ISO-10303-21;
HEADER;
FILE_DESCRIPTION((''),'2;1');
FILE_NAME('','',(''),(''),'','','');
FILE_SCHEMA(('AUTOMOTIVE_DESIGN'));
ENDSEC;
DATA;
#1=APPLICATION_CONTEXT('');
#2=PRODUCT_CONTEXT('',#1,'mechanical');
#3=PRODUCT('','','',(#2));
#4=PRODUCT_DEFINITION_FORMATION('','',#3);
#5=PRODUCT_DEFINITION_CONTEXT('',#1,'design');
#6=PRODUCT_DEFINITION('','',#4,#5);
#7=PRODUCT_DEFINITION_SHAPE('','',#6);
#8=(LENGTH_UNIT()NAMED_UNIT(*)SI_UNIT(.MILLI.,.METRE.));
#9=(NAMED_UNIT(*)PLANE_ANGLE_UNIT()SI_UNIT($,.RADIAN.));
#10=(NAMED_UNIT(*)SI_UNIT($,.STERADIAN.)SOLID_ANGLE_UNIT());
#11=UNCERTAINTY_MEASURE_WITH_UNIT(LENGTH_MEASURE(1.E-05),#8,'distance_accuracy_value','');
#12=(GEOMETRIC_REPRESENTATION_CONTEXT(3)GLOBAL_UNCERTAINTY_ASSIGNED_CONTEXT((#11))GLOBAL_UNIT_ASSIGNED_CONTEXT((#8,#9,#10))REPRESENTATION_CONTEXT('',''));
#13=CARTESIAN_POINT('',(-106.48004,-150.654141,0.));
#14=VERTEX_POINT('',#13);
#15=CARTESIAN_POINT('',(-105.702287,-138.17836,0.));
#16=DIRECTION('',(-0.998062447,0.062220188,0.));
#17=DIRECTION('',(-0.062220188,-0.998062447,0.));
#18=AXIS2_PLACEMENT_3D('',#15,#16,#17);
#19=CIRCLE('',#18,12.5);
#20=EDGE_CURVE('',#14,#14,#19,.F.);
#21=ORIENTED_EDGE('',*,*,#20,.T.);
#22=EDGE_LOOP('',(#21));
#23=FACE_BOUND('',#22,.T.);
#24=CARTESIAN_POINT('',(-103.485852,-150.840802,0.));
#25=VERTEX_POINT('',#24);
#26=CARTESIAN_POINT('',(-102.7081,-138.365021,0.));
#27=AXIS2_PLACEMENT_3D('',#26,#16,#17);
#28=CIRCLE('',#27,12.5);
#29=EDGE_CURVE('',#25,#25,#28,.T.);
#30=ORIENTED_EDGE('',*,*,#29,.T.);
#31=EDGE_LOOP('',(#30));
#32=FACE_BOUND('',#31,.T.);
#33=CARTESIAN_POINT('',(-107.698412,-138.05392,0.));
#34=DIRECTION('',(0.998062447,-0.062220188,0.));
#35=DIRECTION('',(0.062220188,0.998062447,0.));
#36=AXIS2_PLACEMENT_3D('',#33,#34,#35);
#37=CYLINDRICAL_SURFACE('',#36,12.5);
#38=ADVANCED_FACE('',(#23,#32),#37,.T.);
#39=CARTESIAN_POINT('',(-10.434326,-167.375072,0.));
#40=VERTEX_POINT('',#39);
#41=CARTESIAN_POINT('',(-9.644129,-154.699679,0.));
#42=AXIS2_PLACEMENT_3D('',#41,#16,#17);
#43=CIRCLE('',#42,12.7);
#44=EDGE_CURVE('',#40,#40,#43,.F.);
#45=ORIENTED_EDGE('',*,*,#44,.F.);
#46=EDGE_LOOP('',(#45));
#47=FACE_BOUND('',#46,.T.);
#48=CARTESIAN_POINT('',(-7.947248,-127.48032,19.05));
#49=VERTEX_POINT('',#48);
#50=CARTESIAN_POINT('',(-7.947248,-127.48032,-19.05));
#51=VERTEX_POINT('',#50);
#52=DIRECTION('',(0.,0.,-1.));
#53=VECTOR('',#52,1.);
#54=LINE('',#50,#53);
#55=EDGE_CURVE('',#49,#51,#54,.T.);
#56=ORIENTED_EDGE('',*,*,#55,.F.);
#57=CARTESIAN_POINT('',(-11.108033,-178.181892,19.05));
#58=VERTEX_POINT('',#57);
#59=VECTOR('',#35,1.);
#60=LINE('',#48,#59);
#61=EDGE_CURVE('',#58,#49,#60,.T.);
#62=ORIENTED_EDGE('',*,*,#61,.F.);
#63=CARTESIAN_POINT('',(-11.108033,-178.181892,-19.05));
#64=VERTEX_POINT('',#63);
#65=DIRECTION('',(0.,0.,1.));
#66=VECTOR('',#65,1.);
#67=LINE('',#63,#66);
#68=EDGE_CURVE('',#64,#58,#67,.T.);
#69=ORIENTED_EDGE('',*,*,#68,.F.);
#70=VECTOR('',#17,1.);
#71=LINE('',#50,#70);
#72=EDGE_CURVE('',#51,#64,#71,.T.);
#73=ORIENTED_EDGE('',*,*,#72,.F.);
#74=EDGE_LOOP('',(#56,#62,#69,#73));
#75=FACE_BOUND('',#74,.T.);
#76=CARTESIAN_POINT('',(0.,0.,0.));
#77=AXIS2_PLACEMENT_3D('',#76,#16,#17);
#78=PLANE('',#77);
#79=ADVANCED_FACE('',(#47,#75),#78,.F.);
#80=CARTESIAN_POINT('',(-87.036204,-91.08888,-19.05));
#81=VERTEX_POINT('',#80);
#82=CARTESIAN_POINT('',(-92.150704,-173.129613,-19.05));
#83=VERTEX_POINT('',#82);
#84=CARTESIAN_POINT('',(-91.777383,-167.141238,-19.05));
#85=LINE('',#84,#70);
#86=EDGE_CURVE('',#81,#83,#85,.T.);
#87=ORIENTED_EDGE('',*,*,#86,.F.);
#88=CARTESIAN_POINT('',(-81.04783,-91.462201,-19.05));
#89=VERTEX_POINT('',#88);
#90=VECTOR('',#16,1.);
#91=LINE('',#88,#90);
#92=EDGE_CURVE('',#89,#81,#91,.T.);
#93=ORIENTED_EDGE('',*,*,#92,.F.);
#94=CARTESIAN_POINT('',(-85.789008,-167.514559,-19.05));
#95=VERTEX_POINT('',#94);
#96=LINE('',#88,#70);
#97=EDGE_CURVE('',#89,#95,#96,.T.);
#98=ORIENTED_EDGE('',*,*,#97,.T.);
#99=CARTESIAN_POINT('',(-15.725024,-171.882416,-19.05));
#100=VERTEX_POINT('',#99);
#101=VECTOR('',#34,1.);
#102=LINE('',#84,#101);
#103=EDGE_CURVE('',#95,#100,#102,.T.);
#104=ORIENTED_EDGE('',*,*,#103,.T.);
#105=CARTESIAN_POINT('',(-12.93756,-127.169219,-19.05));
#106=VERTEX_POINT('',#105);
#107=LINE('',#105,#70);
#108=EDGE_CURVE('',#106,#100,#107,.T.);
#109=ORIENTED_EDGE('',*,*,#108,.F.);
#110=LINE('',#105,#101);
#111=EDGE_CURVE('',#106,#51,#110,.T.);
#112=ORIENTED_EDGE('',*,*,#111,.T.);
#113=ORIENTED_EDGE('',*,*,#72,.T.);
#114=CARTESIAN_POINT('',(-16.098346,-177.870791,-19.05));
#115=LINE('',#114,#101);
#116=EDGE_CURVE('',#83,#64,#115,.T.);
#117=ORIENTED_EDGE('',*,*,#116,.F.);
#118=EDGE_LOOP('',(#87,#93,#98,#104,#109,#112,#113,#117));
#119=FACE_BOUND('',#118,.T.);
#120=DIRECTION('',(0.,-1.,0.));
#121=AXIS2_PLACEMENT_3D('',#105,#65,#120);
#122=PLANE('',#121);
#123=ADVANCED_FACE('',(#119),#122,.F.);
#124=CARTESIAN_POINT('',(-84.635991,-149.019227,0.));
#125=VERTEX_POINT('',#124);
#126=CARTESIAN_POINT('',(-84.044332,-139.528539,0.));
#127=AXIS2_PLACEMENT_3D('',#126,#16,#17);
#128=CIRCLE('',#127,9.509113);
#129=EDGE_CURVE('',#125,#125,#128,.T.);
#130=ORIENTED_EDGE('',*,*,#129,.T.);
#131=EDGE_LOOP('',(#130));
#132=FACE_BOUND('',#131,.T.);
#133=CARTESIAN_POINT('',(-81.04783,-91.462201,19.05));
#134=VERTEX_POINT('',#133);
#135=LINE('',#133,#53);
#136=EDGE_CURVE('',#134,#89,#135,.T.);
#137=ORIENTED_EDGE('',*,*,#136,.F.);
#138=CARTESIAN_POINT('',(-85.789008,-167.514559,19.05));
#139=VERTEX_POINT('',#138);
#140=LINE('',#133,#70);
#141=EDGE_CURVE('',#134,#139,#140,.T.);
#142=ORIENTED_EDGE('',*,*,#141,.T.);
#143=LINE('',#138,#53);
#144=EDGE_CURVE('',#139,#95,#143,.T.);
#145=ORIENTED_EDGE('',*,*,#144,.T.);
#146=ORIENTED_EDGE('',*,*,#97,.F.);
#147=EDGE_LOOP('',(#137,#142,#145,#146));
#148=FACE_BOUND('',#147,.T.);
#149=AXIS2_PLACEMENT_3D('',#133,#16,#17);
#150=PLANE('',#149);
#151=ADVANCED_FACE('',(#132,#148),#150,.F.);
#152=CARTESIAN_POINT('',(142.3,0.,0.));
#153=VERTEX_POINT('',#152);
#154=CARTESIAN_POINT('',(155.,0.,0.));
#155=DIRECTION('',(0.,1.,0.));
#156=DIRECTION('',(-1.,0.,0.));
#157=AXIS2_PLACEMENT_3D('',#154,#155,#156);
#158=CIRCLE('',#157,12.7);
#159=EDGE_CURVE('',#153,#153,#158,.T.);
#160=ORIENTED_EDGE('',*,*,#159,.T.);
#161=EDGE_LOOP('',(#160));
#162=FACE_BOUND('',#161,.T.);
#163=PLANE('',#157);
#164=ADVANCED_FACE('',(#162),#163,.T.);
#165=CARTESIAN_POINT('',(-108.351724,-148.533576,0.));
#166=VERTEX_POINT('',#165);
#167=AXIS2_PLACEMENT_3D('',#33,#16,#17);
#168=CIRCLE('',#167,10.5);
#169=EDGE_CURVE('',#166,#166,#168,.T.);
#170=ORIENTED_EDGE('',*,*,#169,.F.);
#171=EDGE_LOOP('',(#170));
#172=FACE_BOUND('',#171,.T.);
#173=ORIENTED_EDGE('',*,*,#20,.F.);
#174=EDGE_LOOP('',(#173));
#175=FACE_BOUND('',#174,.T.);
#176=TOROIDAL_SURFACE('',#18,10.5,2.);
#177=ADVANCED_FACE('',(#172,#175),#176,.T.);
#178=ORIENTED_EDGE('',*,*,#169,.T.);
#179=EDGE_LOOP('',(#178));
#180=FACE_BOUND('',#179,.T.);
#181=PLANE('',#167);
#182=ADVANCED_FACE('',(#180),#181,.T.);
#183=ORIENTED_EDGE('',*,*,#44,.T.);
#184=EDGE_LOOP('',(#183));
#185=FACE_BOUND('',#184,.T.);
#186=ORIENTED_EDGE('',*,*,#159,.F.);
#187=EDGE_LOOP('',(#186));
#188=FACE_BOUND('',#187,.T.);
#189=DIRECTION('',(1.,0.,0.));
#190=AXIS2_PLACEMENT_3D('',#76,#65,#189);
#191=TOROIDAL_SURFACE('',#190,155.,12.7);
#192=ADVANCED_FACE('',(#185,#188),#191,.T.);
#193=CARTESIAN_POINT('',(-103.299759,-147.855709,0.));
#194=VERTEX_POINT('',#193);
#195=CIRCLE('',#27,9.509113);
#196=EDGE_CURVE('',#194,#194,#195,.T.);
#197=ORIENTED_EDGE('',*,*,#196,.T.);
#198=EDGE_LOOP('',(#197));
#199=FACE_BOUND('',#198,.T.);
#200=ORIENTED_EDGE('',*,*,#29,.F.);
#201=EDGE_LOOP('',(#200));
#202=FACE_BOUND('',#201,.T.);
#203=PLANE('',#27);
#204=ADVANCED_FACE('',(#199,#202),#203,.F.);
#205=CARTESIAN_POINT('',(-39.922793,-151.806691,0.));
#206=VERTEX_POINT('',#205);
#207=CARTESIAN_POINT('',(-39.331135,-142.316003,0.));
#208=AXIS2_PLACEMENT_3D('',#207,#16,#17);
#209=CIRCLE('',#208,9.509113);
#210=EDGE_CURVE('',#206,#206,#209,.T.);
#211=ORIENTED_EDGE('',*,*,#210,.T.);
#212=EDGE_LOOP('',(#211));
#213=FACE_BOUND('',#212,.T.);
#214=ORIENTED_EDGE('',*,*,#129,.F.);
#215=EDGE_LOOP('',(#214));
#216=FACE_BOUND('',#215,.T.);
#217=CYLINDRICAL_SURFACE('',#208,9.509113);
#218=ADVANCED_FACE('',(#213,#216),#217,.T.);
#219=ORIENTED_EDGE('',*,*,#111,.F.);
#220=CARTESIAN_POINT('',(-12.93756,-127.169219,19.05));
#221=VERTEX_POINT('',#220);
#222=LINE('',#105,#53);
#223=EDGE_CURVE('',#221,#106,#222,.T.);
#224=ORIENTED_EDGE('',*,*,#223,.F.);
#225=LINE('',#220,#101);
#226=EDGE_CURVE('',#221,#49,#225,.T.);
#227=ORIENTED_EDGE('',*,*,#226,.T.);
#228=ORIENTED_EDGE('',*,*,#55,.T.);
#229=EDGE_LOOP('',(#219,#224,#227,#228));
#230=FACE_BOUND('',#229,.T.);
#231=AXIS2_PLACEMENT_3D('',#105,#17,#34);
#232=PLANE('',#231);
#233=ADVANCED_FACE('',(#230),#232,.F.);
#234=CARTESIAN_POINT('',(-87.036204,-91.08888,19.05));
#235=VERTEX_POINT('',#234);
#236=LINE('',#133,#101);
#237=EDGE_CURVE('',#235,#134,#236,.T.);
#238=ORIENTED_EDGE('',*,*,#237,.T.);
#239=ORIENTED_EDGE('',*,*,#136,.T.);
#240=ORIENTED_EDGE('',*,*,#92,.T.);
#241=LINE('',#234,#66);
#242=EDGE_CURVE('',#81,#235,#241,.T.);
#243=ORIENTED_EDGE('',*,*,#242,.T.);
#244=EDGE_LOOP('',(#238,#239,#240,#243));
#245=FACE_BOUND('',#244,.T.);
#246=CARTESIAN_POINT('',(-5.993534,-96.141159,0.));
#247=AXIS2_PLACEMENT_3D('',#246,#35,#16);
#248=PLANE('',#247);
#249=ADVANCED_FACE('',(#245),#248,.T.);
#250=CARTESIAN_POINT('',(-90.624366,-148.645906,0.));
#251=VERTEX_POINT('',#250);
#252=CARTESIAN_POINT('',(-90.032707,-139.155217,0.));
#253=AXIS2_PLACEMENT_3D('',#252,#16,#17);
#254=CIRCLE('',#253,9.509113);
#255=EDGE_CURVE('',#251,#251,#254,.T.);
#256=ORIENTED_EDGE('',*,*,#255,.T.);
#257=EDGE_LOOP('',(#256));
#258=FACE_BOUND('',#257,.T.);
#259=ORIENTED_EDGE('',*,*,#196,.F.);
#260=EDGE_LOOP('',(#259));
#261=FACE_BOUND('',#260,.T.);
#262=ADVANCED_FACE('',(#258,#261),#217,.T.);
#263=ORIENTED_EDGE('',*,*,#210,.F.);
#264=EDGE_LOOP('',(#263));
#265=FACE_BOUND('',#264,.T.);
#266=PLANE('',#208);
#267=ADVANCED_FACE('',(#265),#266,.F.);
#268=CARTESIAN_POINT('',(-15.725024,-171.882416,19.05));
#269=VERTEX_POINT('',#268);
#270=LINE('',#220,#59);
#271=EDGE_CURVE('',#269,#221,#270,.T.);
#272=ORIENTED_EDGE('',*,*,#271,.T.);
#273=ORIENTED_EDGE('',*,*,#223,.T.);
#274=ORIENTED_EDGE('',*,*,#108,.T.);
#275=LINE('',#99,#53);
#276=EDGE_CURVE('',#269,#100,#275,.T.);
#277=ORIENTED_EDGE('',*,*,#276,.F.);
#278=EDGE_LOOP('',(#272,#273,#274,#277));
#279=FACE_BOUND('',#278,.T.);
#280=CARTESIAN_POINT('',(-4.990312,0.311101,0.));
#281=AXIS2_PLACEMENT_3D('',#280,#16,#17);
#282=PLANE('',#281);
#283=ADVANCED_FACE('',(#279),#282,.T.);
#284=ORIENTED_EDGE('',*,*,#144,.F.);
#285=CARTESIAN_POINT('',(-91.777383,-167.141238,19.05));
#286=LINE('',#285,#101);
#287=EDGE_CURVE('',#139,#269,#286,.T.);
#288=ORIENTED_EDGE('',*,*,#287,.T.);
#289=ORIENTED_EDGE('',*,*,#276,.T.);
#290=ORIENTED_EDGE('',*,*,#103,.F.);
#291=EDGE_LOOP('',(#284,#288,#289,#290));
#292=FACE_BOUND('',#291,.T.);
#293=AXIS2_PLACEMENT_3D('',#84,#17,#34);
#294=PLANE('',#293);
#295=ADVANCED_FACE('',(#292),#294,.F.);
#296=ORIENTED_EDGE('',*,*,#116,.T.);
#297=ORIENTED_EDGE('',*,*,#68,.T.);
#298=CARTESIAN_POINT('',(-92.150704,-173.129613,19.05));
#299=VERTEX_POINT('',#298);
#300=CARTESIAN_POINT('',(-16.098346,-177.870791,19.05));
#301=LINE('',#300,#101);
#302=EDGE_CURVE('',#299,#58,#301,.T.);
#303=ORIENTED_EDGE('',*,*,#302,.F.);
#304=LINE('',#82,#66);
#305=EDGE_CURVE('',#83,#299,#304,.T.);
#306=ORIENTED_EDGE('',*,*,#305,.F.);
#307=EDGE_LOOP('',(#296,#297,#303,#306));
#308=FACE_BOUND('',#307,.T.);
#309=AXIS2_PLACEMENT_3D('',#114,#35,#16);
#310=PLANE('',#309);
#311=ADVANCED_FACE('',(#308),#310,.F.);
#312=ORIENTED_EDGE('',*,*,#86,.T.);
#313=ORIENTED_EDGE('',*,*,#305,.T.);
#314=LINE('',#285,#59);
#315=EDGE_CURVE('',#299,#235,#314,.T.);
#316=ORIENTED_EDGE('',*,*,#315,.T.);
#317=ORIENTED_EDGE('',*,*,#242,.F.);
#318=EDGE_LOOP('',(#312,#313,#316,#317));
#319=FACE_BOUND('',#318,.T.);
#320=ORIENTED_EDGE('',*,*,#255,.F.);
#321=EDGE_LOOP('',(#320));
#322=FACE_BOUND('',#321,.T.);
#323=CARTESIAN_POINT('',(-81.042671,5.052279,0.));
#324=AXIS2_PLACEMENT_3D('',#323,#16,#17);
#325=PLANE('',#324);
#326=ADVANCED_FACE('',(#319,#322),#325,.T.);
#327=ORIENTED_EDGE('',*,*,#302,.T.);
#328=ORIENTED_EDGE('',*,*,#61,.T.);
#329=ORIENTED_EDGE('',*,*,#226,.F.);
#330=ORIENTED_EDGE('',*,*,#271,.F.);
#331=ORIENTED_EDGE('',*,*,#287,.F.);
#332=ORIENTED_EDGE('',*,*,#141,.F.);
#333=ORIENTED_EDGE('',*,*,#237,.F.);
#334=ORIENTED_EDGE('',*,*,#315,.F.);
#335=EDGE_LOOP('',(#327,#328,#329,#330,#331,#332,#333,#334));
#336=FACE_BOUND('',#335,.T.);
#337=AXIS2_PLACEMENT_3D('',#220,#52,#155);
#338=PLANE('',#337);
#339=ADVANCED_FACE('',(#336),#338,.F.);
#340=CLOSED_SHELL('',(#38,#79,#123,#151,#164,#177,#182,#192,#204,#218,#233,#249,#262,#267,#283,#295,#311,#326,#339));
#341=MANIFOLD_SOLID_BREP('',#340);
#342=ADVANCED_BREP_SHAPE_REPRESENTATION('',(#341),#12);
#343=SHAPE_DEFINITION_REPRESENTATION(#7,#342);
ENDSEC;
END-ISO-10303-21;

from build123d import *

# Parameters (mm, degrees)
SWEEP5_PROFILE_R         = 12.7
SKETCH70_W               = 38.1
SKETCH70_H               = 50.8
BOSS_EXTRUDE1_DEPTH      = 5
SKETCH71_W               = 38.1
SKETCH71_H               = 6
BOSS_EXTRUDE2_DEPTH      = 76.2
SKETCH72_W               = 6
SKETCH72_H               = 38.1
BOSS_EXTRUDE3_DEPTH      = 76.2
BOSS_EXTRUDE4_DEPTH      = 12.7
BOSS_EXTRUDE4_DEPTH_BACK = 50.8
SKETCH73_R               = 9.509112568
SKETCH74_R               = 12.5
BOSS_EXTRUDE5_DEPTH      = 5
FILLET1_R                = 2


with BuildPart() as part:
    # Sweep5: sweep along a path in Sketch47
    with BuildLine(Plane.XY) as sweep5_path:
        ThreePointArc((-9.644129197, -154.699679289), (106.137081113, -112.95981592), (155, 0))
    # Sweep5 profile (on start of the path) → Sweep5 (sweep)
    with BuildSketch(Plane(origin=(-9.644129197, -154.699679289, 0), x_dir=(0.06222018836928112, 0.9980624470238779, 0), z_dir=(0.9980624470238779, -0.06222018836928112, 0))):
        Circle(SWEEP5_PROFILE_R)
    sweep(path=sweep5_path.line)

    # Sketch70 → Boss-Extrude1 (add)
    with BuildSketch(Plane(origin=(0, 0, 0), x_dir=(0, 0, 1), z_dir=(-0.9980624470238779, 0.0622201883692814, 0))):
        with Locations((0, -153.127799021)):
            Rectangle(SKETCH70_W, SKETCH70_H)
    extrude(amount=BOSS_EXTRUDE1_DEPTH)

    # Sketch71 → Boss-Extrude2 (add)
    with BuildSketch(Plane(origin=(-4.990312235, 0.311100942, 0), x_dir=(0, 0, 1), z_dir=(-0.9980624470238779, 0.0622201883692814, 0))):
        with Locations((0, -175.527799021)):
            Rectangle(SKETCH71_W, SKETCH71_H)
    extrude(amount=BOSS_EXTRUDE2_DEPTH)

    # Sketch72 → Boss-Extrude3 (add)
    with BuildSketch(Plane(origin=(-10.734712154, -172.19351727, 0), x_dir=(0.9980624470238779, -0.0622201883692814, 0), z_dir=(0.0622201883692814, 0.9980624470238779, 0))):
        with Locations((-78.2, 0)):
            Rectangle(SKETCH72_W, SKETCH72_H)
    extrude(amount=BOSS_EXTRUDE3_DEPTH)

    # Sketch73 → Boss-Extrude4 (add, two sides: drawn at the far end of the back side and taken through both)
    with BuildSketch(Plane(origin=(-81.042670698, 5.052279296, 0), x_dir=(0, 0, 1), z_dir=(-0.9980624470238779, 0.06222018836928128, 0)).offset(-BOSS_EXTRUDE4_DEPTH_BACK)):
        with Locations(Location((0, -144.487448774, 0), (0, 0, 270))):
            Circle(SKETCH73_R)
    extrude(amount=BOSS_EXTRUDE4_DEPTH + BOSS_EXTRUDE4_DEPTH_BACK)

    # Sketch74 → Boss-Extrude5 (add)
    with BuildSketch(Plane(origin=(-93.718063776, 5.842475688, 0), x_dir=(0, 0, 1), z_dir=(-0.9980624470238779, 0.06222018836928128, 0))):
        with Locations(Location((0, -144.487448774, 0), (0, 0, 270))):
            Circle(SKETCH74_R)
    extrude(amount=BOSS_EXTRUDE5_DEPTH)

    # Fillet1
    fillet1_edges = [part.edges().sort_by_distance(p)[0] for p in [
        (-106.920659936, -125.578139471, 0),
    ]]
    fillet(fillet1_edges, radius=FILLET1_R)


solid = part.part
